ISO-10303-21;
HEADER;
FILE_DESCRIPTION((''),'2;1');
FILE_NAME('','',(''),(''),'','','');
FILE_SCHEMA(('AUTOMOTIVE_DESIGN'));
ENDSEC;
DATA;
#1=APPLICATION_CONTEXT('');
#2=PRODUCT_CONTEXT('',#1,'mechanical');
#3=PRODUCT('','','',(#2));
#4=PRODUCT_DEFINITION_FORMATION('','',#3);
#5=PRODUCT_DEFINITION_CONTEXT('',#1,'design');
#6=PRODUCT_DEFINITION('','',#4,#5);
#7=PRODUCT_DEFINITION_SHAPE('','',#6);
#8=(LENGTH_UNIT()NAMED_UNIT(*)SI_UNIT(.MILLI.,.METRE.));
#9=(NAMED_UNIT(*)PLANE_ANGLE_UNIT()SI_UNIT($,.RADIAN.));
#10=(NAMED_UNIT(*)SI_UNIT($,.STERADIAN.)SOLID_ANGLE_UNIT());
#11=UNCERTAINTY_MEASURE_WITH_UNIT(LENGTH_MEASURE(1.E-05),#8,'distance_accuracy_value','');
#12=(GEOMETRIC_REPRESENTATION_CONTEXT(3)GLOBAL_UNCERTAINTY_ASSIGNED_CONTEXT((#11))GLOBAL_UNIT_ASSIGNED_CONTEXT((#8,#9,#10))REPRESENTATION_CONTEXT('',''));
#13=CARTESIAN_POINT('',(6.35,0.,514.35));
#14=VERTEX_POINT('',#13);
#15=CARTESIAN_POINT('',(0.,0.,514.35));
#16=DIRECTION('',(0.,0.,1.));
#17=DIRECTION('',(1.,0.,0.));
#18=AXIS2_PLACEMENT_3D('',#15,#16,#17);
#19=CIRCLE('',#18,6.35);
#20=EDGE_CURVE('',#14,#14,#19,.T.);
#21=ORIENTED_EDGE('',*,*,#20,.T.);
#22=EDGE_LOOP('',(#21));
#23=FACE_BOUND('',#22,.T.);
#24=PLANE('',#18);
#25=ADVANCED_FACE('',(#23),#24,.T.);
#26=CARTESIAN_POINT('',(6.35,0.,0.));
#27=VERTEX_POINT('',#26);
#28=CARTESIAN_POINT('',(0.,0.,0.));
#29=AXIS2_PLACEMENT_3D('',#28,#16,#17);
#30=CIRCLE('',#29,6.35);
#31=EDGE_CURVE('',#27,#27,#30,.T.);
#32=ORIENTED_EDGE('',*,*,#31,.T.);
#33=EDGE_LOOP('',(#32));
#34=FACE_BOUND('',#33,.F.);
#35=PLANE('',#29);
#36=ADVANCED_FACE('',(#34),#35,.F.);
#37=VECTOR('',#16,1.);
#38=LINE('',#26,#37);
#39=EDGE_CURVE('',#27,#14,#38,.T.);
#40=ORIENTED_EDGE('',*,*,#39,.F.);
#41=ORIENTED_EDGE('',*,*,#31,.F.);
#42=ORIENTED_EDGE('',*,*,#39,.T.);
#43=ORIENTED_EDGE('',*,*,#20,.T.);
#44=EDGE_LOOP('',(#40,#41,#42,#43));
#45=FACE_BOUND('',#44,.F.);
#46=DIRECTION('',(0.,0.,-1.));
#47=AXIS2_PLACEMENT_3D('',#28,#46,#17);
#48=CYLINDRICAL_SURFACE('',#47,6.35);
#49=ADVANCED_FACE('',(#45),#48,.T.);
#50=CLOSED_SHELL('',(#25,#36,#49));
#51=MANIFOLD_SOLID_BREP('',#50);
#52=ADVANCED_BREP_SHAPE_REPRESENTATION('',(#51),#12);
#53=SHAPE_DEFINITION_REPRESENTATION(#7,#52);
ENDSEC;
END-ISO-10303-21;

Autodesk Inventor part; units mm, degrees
ref_plane "YZ Plane" through (0, 0, 0) normal (1, 0, 0) x (0, 1, 0)
ref_plane "XZ Plane" through (0, 0, 0) normal (0, 1, 0) x (-1, 0, 0)
ref_plane "XY Plane" through (0, 0, 0) normal (0, 0, 1) x (1, 0, 0)
sketch "Sketch1" plane through (0, 0, 0) normal (0, 0, 1) x (1, 0, 0)
  circle A0 centre (0, 0) radius 6.35
  dimension "d0" = 12.7
  dimension "d0" = 12.7
extrude "Extrusion1" add sketch "Sketch1" along normal blind 514.35
properties part number "manipulator centering shaft"
